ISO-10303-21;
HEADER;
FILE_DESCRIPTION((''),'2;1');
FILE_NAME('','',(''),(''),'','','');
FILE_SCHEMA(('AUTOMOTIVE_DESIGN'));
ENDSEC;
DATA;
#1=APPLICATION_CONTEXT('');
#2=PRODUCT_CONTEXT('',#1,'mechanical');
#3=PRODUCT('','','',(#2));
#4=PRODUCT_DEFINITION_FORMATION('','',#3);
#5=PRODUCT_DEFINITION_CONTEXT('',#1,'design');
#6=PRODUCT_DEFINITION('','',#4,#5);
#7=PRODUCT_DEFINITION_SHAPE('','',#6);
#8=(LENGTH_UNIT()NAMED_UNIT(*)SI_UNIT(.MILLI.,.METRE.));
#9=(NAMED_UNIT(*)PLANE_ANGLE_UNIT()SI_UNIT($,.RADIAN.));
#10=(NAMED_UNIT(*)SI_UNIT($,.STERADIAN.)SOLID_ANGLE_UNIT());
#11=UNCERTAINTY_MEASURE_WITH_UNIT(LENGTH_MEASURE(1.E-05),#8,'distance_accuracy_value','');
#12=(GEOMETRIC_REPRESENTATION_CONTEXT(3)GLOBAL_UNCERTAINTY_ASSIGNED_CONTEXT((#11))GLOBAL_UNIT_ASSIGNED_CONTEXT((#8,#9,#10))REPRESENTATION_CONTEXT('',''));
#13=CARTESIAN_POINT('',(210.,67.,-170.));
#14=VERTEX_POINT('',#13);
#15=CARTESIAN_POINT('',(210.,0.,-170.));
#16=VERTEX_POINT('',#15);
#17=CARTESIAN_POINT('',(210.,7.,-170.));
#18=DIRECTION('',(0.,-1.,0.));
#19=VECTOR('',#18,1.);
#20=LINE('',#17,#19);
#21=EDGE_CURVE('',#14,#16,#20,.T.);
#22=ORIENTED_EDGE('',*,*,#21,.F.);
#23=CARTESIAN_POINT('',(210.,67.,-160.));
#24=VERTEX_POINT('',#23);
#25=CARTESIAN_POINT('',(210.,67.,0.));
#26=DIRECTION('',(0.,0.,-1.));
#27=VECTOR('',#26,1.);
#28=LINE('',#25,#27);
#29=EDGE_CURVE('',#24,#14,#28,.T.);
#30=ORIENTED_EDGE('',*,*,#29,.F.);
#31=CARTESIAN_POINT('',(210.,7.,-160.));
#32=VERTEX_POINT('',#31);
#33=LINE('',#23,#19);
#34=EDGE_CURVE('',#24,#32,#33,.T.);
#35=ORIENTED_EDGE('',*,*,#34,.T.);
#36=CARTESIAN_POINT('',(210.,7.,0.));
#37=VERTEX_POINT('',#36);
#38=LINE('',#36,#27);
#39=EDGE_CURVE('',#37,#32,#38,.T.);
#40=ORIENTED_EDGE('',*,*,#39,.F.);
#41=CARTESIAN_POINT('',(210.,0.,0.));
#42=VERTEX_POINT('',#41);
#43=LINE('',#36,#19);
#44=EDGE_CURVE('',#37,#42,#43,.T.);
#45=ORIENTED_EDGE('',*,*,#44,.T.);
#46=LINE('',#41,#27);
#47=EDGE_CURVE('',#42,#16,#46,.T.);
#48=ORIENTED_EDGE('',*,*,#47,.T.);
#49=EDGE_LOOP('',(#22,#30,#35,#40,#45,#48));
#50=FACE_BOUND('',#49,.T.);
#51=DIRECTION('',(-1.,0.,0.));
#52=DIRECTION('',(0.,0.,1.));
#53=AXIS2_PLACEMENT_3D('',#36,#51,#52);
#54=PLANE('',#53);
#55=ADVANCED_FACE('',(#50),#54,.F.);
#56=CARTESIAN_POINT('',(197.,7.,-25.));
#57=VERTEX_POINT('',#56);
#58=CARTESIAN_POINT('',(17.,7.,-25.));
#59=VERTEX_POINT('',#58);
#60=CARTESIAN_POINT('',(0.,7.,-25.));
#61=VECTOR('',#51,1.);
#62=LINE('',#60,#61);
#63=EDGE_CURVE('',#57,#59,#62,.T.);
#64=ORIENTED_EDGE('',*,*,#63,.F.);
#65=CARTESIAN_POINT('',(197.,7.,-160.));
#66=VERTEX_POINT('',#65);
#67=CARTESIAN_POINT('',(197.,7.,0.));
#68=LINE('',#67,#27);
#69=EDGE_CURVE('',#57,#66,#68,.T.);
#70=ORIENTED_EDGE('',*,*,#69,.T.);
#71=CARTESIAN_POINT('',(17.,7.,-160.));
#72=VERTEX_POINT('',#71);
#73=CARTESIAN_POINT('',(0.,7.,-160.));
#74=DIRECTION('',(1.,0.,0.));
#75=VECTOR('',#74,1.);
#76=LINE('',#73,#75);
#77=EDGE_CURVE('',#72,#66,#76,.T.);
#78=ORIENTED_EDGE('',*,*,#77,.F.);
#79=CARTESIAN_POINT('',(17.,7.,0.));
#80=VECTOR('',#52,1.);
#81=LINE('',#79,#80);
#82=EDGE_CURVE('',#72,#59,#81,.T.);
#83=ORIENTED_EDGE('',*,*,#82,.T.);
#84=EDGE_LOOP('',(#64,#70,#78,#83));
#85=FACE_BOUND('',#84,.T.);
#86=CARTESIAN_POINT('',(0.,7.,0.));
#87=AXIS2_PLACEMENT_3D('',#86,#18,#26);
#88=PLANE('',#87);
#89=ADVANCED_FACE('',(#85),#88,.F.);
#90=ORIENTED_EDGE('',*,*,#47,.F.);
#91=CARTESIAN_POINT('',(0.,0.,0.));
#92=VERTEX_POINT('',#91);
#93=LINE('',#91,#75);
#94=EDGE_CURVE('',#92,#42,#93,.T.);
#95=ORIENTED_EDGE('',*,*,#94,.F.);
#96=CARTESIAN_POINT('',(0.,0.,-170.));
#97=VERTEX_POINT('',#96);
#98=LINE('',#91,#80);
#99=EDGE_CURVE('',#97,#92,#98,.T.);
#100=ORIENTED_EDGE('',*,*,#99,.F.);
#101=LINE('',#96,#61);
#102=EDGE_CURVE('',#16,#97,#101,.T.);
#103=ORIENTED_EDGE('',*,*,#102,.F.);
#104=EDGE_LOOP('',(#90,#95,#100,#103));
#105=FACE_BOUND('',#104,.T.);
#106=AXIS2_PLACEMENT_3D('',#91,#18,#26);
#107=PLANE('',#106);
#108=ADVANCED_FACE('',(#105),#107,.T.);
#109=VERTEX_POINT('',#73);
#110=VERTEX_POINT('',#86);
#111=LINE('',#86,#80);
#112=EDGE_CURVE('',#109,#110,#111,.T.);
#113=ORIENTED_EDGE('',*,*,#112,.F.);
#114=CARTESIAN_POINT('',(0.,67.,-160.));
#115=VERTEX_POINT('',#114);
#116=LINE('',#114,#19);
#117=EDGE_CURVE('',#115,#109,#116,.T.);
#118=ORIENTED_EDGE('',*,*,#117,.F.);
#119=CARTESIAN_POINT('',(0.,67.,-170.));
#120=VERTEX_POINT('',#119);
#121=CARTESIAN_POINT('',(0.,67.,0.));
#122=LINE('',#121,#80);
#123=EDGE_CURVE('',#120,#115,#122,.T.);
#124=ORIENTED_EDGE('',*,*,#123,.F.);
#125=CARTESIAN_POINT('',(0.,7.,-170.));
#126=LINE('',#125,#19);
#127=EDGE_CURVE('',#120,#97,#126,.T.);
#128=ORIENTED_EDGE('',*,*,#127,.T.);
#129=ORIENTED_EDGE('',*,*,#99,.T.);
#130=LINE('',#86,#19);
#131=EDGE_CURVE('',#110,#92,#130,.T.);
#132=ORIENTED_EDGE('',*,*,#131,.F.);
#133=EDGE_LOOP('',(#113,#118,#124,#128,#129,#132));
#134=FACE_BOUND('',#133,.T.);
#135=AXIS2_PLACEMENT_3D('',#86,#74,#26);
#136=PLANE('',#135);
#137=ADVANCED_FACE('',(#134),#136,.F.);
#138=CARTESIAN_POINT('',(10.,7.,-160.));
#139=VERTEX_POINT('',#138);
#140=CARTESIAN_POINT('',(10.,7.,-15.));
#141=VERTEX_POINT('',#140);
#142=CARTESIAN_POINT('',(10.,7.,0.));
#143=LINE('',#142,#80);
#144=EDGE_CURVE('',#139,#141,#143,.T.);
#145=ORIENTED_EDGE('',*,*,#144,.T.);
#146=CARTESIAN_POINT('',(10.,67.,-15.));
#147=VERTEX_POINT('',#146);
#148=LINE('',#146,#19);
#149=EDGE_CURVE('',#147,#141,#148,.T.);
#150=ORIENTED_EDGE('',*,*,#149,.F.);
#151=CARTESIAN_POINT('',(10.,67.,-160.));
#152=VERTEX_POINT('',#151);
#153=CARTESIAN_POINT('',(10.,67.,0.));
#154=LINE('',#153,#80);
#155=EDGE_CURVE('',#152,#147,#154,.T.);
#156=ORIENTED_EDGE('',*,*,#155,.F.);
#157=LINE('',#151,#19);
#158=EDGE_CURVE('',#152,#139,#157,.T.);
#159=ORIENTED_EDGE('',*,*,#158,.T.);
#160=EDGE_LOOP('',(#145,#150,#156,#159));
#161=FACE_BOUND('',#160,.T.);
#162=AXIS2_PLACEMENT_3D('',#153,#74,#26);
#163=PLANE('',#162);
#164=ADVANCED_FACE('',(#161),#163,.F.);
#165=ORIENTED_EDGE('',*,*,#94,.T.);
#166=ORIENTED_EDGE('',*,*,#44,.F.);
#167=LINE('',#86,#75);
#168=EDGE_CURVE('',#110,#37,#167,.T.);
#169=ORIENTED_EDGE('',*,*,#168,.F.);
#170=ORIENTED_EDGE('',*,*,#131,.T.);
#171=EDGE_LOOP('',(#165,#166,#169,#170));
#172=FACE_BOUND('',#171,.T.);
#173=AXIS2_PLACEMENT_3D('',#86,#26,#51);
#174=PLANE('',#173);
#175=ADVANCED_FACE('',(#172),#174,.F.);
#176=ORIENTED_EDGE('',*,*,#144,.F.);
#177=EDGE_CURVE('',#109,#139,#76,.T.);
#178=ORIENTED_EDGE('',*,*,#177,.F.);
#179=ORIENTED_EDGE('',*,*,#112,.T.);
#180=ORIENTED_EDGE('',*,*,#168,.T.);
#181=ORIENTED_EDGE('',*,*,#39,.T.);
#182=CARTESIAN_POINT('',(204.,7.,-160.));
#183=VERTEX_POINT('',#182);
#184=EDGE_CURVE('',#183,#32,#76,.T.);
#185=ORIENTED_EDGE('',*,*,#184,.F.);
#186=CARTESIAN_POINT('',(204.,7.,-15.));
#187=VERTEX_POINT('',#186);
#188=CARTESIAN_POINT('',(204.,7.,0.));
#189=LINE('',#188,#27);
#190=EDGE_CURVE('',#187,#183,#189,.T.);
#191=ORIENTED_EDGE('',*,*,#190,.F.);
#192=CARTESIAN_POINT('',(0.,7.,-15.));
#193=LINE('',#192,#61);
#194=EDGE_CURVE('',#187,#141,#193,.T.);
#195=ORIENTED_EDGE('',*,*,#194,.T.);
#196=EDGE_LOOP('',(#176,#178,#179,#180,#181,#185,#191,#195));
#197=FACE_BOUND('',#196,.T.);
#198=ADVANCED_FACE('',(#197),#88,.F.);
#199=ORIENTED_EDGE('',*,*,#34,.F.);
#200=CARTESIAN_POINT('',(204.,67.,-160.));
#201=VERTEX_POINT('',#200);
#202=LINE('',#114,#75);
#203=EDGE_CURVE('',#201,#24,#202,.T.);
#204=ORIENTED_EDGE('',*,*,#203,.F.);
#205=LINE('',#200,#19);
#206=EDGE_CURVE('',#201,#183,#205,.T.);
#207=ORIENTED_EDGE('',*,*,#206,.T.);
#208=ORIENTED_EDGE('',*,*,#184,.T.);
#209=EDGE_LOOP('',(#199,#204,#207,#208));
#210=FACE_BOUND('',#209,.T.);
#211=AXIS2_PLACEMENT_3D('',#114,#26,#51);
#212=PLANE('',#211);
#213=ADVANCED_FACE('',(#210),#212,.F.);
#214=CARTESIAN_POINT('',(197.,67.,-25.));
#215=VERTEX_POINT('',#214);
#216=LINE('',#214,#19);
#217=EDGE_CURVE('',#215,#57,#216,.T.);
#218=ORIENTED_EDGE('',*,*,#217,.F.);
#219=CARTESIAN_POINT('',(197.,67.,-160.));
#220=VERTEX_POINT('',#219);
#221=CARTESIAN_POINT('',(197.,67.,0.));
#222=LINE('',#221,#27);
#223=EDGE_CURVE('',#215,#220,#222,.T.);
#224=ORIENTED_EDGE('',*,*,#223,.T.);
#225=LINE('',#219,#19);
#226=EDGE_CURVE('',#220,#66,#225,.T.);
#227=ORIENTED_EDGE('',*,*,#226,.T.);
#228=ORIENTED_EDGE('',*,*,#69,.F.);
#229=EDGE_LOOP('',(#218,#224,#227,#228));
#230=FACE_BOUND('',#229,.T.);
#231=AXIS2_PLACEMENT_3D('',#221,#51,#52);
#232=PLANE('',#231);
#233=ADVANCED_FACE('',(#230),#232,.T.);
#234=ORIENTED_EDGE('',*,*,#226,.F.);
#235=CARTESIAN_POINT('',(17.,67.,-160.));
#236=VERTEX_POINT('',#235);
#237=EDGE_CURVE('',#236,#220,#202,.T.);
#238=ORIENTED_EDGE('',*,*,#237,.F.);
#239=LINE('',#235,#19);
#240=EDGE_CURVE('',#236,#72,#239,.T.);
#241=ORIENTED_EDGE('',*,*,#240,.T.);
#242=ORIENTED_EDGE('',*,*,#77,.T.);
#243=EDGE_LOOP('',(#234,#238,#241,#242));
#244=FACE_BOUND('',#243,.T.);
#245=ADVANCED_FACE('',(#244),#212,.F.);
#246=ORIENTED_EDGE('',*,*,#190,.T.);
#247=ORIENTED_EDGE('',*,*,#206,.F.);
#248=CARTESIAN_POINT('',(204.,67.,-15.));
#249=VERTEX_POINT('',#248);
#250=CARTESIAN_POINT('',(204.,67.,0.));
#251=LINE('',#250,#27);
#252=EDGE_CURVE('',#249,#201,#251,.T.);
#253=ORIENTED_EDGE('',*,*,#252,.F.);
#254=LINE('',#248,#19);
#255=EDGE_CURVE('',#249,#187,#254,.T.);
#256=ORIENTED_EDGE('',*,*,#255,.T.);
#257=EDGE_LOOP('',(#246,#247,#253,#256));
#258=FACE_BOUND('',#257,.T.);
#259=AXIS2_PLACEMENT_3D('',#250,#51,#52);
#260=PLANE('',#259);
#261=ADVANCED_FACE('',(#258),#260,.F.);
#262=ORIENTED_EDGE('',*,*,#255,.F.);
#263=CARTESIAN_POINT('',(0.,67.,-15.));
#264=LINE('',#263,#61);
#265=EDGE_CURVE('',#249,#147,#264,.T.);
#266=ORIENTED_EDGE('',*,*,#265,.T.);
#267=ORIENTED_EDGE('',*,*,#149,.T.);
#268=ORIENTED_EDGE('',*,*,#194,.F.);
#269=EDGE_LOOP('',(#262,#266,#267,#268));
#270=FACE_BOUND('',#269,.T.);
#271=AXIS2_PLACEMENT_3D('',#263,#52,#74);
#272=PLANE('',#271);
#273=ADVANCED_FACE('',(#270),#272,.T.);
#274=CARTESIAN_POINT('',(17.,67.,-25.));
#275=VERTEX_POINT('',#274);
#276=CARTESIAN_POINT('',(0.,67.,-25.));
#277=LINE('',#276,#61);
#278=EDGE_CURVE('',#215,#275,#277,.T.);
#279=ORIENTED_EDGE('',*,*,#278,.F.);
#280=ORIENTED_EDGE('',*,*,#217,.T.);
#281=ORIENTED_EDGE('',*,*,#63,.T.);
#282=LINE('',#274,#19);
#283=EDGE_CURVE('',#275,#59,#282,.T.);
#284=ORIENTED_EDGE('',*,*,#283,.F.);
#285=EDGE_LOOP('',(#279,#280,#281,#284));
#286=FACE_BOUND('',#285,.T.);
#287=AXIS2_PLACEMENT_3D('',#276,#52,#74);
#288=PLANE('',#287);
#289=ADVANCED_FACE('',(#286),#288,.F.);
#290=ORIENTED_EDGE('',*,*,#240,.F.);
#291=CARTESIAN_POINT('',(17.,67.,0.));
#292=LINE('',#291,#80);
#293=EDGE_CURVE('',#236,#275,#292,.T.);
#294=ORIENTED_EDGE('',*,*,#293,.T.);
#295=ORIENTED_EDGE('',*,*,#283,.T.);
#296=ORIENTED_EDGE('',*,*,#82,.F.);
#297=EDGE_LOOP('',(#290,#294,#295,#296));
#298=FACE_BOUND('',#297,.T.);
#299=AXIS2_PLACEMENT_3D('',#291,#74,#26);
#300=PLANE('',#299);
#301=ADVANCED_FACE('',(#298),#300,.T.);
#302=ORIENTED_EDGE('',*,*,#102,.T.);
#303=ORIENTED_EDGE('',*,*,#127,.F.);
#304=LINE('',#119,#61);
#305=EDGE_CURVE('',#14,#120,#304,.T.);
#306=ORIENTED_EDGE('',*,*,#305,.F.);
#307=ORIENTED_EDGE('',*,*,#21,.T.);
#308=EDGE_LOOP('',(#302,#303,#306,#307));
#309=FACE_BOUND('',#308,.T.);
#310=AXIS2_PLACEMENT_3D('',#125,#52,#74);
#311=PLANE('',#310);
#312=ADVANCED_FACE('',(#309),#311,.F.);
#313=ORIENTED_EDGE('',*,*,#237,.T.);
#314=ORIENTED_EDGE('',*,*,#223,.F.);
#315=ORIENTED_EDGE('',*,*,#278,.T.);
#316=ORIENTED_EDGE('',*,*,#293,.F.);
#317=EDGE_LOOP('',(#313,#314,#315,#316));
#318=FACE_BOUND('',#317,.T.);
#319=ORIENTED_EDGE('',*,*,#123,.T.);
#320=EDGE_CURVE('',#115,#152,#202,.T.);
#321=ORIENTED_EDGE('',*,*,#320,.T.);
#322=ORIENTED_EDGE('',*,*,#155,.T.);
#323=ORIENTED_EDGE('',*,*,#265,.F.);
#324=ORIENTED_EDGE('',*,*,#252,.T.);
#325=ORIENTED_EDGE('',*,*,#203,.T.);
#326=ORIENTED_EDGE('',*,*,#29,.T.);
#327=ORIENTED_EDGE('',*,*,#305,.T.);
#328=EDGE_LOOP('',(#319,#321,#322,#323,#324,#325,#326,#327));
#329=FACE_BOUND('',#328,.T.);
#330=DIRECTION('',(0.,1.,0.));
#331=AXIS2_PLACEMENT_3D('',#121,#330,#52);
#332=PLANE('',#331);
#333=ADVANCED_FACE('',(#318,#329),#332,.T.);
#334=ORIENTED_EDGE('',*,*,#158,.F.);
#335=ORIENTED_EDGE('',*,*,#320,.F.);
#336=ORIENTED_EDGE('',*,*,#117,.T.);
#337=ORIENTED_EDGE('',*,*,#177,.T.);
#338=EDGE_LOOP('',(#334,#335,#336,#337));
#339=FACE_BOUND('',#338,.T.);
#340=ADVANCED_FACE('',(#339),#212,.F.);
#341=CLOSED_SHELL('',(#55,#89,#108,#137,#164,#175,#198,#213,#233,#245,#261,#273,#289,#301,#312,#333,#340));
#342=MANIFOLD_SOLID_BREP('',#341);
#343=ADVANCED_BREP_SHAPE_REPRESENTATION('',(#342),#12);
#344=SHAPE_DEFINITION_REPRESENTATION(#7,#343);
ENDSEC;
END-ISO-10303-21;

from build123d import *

# Parameters (mm, degrees)
SKETCH1_W           = 210
SKETCH1_H           = 170
BOSS_EXTRUDE1_DEPTH = 7
SKETCH2_W           = 180
SKETCH2_H           = 135
BOSS_EXTRUDE2_DEPTH = 60


with BuildPart() as part:
    # Sketch1 → Boss-Extrude1 (new body)
    with BuildSketch(Plane(origin=(0, 0, 0), x_dir=(1, 0, 0), z_dir=(0, 1, 0))):
        with Locations((105, 85)):
            Rectangle(SKETCH1_W, SKETCH1_H)
    extrude(amount=BOSS_EXTRUDE1_DEPTH)

    # Sketch2 → Boss-Extrude2 (add)
    with BuildSketch(Plane(origin=(0, 7, 0), x_dir=(1, 0, 0), z_dir=(0, 1, 0))):
        Polygon((210, 170), (0, 170), (0, 160), (10, 160), (10, 25), (10, 20.500436989), (10, 15), (204, 15), (204, 18.199432026), (204, 25), (204, 160), (210, 160), align=None)
        with Locations((107, 92.5)):
            Rectangle(SKETCH2_W, SKETCH2_H, mode=Mode.SUBTRACT)
    extrude(amount=BOSS_EXTRUDE2_DEPTH)


solid = part.part
